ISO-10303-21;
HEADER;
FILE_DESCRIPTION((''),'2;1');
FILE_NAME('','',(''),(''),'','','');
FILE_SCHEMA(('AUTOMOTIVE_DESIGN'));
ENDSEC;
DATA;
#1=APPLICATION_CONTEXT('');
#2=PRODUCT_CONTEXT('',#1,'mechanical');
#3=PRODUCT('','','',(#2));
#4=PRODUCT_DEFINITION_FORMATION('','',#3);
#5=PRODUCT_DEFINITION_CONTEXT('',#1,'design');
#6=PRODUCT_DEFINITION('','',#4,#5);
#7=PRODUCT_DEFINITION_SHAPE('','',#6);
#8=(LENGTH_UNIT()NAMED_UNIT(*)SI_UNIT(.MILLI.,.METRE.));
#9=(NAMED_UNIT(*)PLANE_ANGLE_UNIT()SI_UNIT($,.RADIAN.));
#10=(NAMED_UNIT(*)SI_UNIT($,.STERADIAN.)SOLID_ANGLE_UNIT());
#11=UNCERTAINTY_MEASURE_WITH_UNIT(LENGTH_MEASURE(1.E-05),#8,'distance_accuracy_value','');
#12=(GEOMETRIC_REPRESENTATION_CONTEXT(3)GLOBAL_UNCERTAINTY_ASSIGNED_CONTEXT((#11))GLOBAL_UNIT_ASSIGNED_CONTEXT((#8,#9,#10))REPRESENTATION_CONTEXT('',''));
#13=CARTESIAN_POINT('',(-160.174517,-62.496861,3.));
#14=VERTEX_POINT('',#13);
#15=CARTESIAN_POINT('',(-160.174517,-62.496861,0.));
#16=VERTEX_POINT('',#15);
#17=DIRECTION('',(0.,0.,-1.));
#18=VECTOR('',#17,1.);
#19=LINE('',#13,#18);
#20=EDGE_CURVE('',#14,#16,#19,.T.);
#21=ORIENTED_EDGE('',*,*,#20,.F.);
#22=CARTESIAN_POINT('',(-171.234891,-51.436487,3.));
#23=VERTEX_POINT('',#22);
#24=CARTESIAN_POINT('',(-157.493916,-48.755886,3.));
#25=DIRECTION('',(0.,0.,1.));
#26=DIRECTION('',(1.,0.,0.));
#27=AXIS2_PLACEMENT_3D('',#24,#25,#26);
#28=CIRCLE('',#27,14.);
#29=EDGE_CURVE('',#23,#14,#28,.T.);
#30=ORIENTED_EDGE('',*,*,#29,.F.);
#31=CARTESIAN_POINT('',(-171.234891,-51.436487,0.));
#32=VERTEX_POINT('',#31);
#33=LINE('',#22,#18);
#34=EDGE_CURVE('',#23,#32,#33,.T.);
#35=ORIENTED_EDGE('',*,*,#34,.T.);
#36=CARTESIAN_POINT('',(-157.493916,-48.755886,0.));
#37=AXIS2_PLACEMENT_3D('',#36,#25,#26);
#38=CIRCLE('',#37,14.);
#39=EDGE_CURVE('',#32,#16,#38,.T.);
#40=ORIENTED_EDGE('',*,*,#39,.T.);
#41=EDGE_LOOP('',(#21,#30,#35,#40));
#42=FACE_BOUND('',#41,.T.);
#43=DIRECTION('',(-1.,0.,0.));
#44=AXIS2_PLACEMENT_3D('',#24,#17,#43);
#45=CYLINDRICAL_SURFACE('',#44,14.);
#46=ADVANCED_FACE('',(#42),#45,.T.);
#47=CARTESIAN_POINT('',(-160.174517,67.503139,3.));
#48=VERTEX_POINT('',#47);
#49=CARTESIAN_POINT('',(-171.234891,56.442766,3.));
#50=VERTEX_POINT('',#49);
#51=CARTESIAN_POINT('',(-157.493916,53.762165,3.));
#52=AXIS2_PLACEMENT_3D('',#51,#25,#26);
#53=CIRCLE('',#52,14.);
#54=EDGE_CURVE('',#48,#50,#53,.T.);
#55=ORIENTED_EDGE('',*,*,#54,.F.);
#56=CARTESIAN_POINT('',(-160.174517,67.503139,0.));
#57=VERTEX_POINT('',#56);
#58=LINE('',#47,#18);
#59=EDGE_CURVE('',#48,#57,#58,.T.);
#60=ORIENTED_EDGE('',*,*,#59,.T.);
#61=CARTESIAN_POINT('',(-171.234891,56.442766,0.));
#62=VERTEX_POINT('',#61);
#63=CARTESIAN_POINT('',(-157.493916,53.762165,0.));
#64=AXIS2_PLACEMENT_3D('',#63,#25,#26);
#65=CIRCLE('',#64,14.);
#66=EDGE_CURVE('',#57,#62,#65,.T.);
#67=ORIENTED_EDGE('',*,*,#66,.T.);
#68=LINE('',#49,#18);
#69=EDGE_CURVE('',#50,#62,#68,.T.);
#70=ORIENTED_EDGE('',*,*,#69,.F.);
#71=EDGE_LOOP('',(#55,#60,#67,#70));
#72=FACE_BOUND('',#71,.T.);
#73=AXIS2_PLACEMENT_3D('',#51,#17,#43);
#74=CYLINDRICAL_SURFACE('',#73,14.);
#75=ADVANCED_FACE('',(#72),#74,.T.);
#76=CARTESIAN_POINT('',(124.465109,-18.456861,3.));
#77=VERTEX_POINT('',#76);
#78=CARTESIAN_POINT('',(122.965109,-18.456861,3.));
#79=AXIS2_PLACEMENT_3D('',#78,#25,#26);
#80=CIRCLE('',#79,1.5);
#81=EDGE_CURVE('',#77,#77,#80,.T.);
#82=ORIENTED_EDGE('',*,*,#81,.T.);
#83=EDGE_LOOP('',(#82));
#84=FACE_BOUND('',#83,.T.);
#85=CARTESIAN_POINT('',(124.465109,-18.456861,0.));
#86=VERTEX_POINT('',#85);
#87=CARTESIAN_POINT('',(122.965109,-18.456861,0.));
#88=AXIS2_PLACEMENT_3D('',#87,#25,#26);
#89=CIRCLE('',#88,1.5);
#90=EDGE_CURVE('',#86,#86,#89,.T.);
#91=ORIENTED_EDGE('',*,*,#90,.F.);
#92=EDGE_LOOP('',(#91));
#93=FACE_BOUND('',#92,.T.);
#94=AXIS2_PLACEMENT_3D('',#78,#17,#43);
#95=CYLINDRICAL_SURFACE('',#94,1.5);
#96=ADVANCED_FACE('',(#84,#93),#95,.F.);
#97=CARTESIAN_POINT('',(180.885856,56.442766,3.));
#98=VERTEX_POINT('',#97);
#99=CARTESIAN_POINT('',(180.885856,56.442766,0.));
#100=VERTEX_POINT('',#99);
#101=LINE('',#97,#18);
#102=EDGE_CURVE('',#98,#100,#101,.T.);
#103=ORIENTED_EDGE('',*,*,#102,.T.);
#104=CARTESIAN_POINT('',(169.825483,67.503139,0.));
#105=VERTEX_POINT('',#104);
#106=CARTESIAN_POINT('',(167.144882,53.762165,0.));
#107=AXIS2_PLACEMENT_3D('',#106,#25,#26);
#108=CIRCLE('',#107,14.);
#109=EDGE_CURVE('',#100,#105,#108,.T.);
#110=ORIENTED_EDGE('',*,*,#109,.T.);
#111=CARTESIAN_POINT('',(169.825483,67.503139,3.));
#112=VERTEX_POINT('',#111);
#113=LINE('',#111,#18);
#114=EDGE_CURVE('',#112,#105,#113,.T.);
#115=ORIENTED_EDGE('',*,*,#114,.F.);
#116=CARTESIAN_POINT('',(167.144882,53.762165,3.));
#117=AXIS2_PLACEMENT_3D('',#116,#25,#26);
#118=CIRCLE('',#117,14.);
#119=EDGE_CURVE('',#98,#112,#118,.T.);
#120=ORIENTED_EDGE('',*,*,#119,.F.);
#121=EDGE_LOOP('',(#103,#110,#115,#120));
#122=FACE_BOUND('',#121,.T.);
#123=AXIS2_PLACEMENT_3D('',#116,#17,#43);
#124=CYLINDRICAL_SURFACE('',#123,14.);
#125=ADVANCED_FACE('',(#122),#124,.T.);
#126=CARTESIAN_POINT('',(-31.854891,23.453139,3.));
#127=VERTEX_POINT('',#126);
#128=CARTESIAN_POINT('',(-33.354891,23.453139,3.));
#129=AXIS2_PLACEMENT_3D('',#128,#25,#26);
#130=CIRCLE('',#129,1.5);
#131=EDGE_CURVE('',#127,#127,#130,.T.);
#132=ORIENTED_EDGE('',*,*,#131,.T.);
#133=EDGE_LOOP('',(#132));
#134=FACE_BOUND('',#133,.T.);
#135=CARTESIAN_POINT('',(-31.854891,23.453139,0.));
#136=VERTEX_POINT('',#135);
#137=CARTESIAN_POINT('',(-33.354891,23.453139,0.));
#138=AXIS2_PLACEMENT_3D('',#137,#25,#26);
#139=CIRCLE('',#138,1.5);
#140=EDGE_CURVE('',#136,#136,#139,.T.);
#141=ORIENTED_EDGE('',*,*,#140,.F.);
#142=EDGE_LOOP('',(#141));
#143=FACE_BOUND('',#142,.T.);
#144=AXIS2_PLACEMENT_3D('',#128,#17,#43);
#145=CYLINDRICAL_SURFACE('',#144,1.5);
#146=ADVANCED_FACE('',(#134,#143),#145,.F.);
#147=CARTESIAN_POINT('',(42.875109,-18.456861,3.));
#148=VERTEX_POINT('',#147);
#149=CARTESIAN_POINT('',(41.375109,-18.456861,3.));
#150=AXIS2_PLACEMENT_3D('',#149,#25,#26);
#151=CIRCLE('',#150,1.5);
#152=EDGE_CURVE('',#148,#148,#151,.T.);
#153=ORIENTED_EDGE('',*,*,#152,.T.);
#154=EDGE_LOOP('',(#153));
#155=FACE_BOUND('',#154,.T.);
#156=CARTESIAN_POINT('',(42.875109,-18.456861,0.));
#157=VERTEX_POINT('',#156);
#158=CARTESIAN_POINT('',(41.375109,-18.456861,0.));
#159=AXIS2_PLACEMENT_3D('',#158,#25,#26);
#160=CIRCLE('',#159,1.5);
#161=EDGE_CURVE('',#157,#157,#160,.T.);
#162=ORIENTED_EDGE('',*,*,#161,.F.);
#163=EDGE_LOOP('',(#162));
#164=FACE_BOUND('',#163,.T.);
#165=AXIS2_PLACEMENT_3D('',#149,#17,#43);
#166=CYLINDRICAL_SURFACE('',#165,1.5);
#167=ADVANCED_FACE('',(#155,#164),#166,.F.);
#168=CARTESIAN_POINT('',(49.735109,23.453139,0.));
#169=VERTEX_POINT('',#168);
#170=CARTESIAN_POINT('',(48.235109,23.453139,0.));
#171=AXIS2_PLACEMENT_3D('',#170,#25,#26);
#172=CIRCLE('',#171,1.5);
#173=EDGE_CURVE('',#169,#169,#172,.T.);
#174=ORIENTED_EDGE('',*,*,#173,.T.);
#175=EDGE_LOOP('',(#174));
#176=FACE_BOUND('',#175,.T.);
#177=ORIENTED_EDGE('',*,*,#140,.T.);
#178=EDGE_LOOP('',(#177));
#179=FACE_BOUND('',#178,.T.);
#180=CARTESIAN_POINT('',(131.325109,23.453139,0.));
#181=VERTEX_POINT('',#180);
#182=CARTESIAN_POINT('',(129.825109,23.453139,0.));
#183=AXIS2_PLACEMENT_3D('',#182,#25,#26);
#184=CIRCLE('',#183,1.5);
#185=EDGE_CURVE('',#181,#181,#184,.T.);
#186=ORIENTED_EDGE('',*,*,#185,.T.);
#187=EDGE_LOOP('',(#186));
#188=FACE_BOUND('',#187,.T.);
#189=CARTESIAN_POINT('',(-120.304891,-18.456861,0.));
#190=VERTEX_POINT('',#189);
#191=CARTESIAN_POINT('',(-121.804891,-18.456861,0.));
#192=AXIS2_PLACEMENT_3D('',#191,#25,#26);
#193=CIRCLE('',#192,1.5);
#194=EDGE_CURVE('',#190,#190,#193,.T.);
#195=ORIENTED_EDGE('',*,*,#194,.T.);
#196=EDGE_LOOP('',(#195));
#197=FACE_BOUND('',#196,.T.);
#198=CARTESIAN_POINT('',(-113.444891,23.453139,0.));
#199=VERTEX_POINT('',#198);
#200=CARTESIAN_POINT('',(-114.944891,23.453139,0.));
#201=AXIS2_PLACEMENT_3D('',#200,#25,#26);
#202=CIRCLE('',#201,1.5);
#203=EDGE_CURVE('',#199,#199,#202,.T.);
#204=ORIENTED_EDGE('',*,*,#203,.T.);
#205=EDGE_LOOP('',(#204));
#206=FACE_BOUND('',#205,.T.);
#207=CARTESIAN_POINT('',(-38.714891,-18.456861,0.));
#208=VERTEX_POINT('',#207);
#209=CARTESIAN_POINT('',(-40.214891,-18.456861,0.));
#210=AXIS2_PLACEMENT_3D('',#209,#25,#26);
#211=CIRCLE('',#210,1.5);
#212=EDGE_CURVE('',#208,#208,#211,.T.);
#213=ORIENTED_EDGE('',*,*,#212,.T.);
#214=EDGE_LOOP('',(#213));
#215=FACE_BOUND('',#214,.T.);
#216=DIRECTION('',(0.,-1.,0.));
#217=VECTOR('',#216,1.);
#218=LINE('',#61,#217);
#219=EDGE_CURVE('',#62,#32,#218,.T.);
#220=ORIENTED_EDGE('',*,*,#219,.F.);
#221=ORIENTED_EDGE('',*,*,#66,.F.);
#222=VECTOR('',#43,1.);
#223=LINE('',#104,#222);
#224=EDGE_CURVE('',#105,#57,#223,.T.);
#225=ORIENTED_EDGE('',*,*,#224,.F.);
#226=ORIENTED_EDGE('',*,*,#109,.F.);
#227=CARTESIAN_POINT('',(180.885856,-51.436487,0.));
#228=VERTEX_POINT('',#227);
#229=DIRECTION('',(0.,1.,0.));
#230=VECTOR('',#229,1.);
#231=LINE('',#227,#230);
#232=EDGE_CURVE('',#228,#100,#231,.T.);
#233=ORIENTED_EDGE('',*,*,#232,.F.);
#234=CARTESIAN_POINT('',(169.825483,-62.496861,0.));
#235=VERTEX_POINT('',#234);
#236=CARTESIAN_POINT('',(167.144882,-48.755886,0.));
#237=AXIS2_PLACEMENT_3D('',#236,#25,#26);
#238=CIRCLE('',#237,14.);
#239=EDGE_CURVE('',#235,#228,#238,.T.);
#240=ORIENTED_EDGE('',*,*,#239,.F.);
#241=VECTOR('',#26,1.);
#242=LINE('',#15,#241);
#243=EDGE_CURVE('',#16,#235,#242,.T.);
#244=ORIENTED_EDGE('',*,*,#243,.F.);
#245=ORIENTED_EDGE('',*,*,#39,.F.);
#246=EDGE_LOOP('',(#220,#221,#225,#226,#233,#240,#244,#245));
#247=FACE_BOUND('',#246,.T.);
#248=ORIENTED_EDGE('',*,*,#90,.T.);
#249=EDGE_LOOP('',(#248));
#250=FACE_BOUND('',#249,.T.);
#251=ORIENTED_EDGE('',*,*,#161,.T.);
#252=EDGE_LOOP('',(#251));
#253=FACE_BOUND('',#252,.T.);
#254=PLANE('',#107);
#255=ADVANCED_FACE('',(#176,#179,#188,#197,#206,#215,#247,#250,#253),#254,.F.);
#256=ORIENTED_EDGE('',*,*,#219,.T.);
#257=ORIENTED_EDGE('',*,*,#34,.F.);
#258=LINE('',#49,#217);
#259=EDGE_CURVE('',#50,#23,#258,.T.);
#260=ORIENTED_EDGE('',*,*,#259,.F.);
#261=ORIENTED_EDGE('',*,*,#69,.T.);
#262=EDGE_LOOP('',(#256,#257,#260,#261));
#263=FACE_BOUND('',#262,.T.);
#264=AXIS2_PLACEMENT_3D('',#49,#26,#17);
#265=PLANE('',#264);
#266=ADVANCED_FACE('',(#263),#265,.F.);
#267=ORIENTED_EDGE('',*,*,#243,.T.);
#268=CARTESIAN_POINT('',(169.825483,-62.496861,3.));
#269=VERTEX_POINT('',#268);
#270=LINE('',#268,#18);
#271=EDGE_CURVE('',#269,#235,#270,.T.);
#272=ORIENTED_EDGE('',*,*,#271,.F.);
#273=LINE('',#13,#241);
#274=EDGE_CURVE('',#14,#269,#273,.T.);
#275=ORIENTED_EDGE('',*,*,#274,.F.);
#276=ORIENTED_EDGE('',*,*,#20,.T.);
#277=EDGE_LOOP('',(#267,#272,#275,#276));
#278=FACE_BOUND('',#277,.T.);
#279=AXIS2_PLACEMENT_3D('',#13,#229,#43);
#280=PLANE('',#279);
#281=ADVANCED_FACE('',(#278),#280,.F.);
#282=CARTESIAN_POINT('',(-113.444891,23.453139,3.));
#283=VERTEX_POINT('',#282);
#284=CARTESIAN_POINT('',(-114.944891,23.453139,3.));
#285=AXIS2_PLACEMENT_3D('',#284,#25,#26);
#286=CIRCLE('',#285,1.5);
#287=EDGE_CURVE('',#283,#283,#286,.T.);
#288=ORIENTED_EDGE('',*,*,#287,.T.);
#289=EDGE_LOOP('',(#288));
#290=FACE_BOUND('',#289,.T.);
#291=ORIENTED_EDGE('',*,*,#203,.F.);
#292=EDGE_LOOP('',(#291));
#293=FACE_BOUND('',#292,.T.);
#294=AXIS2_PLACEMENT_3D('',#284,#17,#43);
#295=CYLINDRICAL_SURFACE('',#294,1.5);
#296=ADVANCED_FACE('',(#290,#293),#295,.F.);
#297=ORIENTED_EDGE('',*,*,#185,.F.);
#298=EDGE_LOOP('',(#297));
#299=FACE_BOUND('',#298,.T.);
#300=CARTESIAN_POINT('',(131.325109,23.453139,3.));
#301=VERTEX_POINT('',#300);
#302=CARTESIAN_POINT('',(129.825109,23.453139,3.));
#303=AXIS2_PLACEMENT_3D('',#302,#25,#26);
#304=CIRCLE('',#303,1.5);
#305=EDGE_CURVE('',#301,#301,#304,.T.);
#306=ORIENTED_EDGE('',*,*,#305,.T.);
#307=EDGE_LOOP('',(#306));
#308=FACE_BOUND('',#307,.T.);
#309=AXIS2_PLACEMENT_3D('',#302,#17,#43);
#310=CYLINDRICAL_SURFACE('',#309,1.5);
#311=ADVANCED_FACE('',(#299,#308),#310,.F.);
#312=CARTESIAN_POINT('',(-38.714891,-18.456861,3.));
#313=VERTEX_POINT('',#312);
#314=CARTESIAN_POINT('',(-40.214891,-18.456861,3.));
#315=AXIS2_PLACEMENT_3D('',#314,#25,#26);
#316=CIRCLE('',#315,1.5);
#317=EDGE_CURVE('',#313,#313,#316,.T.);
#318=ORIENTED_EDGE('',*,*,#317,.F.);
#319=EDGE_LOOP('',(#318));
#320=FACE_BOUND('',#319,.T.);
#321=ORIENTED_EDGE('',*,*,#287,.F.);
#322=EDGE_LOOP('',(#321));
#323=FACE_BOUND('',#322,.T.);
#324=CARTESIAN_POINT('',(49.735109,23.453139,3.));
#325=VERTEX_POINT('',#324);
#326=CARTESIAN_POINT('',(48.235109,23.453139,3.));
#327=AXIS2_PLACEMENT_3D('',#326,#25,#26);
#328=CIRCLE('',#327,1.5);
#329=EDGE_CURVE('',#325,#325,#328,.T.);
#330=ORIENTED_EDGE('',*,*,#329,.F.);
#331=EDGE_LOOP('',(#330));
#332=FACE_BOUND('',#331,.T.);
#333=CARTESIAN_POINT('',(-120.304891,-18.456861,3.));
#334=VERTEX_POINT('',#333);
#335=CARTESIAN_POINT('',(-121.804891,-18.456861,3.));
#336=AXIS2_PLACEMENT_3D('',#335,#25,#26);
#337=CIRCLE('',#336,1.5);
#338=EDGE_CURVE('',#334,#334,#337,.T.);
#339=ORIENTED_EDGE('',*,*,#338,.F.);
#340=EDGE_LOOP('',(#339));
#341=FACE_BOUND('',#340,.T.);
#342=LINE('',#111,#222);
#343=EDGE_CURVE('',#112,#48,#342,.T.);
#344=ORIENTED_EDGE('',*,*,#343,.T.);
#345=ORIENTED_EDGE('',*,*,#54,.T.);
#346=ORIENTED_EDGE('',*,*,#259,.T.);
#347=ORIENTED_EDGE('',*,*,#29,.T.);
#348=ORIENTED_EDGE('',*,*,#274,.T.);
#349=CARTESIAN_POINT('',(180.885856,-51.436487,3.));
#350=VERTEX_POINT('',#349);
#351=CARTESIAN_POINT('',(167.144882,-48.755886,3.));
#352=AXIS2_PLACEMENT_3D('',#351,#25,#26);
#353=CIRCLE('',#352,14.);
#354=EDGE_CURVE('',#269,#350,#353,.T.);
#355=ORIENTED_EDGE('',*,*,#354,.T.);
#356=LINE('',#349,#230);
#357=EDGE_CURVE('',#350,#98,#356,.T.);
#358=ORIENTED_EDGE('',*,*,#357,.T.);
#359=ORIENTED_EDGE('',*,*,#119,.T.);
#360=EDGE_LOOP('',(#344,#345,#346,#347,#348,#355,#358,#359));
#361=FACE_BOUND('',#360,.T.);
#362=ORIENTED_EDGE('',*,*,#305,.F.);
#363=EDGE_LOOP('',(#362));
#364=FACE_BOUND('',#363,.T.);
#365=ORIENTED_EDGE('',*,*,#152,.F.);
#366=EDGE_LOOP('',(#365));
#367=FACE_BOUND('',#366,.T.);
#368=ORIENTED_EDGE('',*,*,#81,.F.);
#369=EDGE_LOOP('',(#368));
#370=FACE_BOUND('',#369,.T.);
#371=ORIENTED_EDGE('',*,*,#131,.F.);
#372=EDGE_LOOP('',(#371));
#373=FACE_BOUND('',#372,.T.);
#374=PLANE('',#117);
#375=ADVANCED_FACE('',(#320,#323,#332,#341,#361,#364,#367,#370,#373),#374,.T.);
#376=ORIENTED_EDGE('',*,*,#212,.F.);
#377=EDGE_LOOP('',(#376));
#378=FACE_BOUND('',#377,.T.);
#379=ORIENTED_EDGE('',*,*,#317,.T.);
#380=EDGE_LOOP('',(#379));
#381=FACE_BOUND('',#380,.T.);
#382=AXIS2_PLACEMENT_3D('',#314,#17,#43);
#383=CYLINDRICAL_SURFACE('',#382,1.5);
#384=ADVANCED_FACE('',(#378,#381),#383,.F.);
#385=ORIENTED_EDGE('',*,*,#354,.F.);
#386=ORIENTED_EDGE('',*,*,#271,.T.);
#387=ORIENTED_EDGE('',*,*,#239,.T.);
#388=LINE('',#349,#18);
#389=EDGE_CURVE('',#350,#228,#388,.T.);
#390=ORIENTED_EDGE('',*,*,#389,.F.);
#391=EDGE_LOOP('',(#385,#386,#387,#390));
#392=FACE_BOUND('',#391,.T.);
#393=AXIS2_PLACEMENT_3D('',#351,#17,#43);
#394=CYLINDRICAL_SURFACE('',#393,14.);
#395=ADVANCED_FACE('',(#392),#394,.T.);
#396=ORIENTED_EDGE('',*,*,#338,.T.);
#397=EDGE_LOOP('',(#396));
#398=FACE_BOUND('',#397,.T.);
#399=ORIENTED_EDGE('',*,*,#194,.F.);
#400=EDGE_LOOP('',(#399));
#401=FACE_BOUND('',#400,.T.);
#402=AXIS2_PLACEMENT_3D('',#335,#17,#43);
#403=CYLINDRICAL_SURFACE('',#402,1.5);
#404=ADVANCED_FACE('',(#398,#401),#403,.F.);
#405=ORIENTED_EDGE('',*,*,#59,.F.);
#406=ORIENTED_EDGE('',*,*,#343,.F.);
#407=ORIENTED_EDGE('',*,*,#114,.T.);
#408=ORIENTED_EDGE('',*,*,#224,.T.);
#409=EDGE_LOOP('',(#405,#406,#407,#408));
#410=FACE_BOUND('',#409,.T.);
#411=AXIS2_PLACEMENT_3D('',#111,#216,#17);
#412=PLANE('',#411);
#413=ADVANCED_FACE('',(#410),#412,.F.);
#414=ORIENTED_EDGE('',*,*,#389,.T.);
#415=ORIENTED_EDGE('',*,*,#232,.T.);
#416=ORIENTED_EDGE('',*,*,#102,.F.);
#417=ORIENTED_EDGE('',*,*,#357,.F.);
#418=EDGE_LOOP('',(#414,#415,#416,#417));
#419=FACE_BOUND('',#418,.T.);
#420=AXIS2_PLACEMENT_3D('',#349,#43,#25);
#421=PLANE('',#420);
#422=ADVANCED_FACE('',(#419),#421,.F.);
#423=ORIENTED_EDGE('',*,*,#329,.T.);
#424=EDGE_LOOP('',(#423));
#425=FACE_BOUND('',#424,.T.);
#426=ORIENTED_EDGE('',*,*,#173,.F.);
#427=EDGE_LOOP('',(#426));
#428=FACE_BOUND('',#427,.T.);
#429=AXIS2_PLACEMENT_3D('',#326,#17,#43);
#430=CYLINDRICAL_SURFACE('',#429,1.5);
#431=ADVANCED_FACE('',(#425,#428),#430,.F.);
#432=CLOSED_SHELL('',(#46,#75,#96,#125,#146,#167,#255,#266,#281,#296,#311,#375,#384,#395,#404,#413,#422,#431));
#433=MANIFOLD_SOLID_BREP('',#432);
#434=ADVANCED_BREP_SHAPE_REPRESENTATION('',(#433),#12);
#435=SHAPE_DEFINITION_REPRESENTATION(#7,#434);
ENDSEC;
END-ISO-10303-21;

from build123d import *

# Parameters (mm, degrees)
MODEL_R                 = 1.5
SALIENTE_EXTRUIR1_DEPTH = 3


with BuildPart() as part:
    # Model → Saliente-Extruir1 (new body)
    with BuildSketch(Plane.XY):
        with BuildLine():
            Line((169.825482687, 67.503139244), (-160.174517313, 67.503139244))
            ThreePointArc((-160.174517313, 67.503139244), (-167.39341138, 63.661659725), (-171.234890898, 56.442765658))
            Line((-171.234890898, 56.442765658), (-171.234890898, -51.436487171))
            ThreePointArc((-171.234890898, -51.436487171), (-167.39341138, -58.655381238), (-160.174517313, -62.496860756))
            Line((-160.174517313, -62.496860756), (169.825482687, -62.496860756))
            ThreePointArc((169.825482687, -62.496860756), (177.044376754, -58.655381238), (180.885856273, -51.436487171))
            Line((180.885856273, -51.436487171), (180.885856273, 56.442765658))
            ThreePointArc((180.885856273, 56.442765658), (177.044376754, 63.661659725), (169.825482687, 67.503139244))
        make_face()
        with Locations((-114.944890898, 23.453139244)):
            Circle(MODEL_R, mode=Mode.SUBTRACT)
        with Locations((-121.804890898, -18.456860756)):
            Circle(MODEL_R, mode=Mode.SUBTRACT)
        with Locations((-33.354890898, 23.453139244)):
            Circle(MODEL_R, mode=Mode.SUBTRACT)
        with Locations((-40.214890898, -18.456860756)):
            Circle(MODEL_R, mode=Mode.SUBTRACT)
        with Locations((48.235109102, 23.453139244)):
            Circle(MODEL_R, mode=Mode.SUBTRACT)
        with Locations((41.375109102, -18.456860756)):
            Circle(MODEL_R, mode=Mode.SUBTRACT)
        with Locations((129.825109102, 23.453139244)):
            Circle(MODEL_R, mode=Mode.SUBTRACT)
        with Locations((122.965109102, -18.456860756)):
            Circle(MODEL_R, mode=Mode.SUBTRACT)
    extrude(amount=SALIENTE_EXTRUIR1_DEPTH)


solid = part.part
